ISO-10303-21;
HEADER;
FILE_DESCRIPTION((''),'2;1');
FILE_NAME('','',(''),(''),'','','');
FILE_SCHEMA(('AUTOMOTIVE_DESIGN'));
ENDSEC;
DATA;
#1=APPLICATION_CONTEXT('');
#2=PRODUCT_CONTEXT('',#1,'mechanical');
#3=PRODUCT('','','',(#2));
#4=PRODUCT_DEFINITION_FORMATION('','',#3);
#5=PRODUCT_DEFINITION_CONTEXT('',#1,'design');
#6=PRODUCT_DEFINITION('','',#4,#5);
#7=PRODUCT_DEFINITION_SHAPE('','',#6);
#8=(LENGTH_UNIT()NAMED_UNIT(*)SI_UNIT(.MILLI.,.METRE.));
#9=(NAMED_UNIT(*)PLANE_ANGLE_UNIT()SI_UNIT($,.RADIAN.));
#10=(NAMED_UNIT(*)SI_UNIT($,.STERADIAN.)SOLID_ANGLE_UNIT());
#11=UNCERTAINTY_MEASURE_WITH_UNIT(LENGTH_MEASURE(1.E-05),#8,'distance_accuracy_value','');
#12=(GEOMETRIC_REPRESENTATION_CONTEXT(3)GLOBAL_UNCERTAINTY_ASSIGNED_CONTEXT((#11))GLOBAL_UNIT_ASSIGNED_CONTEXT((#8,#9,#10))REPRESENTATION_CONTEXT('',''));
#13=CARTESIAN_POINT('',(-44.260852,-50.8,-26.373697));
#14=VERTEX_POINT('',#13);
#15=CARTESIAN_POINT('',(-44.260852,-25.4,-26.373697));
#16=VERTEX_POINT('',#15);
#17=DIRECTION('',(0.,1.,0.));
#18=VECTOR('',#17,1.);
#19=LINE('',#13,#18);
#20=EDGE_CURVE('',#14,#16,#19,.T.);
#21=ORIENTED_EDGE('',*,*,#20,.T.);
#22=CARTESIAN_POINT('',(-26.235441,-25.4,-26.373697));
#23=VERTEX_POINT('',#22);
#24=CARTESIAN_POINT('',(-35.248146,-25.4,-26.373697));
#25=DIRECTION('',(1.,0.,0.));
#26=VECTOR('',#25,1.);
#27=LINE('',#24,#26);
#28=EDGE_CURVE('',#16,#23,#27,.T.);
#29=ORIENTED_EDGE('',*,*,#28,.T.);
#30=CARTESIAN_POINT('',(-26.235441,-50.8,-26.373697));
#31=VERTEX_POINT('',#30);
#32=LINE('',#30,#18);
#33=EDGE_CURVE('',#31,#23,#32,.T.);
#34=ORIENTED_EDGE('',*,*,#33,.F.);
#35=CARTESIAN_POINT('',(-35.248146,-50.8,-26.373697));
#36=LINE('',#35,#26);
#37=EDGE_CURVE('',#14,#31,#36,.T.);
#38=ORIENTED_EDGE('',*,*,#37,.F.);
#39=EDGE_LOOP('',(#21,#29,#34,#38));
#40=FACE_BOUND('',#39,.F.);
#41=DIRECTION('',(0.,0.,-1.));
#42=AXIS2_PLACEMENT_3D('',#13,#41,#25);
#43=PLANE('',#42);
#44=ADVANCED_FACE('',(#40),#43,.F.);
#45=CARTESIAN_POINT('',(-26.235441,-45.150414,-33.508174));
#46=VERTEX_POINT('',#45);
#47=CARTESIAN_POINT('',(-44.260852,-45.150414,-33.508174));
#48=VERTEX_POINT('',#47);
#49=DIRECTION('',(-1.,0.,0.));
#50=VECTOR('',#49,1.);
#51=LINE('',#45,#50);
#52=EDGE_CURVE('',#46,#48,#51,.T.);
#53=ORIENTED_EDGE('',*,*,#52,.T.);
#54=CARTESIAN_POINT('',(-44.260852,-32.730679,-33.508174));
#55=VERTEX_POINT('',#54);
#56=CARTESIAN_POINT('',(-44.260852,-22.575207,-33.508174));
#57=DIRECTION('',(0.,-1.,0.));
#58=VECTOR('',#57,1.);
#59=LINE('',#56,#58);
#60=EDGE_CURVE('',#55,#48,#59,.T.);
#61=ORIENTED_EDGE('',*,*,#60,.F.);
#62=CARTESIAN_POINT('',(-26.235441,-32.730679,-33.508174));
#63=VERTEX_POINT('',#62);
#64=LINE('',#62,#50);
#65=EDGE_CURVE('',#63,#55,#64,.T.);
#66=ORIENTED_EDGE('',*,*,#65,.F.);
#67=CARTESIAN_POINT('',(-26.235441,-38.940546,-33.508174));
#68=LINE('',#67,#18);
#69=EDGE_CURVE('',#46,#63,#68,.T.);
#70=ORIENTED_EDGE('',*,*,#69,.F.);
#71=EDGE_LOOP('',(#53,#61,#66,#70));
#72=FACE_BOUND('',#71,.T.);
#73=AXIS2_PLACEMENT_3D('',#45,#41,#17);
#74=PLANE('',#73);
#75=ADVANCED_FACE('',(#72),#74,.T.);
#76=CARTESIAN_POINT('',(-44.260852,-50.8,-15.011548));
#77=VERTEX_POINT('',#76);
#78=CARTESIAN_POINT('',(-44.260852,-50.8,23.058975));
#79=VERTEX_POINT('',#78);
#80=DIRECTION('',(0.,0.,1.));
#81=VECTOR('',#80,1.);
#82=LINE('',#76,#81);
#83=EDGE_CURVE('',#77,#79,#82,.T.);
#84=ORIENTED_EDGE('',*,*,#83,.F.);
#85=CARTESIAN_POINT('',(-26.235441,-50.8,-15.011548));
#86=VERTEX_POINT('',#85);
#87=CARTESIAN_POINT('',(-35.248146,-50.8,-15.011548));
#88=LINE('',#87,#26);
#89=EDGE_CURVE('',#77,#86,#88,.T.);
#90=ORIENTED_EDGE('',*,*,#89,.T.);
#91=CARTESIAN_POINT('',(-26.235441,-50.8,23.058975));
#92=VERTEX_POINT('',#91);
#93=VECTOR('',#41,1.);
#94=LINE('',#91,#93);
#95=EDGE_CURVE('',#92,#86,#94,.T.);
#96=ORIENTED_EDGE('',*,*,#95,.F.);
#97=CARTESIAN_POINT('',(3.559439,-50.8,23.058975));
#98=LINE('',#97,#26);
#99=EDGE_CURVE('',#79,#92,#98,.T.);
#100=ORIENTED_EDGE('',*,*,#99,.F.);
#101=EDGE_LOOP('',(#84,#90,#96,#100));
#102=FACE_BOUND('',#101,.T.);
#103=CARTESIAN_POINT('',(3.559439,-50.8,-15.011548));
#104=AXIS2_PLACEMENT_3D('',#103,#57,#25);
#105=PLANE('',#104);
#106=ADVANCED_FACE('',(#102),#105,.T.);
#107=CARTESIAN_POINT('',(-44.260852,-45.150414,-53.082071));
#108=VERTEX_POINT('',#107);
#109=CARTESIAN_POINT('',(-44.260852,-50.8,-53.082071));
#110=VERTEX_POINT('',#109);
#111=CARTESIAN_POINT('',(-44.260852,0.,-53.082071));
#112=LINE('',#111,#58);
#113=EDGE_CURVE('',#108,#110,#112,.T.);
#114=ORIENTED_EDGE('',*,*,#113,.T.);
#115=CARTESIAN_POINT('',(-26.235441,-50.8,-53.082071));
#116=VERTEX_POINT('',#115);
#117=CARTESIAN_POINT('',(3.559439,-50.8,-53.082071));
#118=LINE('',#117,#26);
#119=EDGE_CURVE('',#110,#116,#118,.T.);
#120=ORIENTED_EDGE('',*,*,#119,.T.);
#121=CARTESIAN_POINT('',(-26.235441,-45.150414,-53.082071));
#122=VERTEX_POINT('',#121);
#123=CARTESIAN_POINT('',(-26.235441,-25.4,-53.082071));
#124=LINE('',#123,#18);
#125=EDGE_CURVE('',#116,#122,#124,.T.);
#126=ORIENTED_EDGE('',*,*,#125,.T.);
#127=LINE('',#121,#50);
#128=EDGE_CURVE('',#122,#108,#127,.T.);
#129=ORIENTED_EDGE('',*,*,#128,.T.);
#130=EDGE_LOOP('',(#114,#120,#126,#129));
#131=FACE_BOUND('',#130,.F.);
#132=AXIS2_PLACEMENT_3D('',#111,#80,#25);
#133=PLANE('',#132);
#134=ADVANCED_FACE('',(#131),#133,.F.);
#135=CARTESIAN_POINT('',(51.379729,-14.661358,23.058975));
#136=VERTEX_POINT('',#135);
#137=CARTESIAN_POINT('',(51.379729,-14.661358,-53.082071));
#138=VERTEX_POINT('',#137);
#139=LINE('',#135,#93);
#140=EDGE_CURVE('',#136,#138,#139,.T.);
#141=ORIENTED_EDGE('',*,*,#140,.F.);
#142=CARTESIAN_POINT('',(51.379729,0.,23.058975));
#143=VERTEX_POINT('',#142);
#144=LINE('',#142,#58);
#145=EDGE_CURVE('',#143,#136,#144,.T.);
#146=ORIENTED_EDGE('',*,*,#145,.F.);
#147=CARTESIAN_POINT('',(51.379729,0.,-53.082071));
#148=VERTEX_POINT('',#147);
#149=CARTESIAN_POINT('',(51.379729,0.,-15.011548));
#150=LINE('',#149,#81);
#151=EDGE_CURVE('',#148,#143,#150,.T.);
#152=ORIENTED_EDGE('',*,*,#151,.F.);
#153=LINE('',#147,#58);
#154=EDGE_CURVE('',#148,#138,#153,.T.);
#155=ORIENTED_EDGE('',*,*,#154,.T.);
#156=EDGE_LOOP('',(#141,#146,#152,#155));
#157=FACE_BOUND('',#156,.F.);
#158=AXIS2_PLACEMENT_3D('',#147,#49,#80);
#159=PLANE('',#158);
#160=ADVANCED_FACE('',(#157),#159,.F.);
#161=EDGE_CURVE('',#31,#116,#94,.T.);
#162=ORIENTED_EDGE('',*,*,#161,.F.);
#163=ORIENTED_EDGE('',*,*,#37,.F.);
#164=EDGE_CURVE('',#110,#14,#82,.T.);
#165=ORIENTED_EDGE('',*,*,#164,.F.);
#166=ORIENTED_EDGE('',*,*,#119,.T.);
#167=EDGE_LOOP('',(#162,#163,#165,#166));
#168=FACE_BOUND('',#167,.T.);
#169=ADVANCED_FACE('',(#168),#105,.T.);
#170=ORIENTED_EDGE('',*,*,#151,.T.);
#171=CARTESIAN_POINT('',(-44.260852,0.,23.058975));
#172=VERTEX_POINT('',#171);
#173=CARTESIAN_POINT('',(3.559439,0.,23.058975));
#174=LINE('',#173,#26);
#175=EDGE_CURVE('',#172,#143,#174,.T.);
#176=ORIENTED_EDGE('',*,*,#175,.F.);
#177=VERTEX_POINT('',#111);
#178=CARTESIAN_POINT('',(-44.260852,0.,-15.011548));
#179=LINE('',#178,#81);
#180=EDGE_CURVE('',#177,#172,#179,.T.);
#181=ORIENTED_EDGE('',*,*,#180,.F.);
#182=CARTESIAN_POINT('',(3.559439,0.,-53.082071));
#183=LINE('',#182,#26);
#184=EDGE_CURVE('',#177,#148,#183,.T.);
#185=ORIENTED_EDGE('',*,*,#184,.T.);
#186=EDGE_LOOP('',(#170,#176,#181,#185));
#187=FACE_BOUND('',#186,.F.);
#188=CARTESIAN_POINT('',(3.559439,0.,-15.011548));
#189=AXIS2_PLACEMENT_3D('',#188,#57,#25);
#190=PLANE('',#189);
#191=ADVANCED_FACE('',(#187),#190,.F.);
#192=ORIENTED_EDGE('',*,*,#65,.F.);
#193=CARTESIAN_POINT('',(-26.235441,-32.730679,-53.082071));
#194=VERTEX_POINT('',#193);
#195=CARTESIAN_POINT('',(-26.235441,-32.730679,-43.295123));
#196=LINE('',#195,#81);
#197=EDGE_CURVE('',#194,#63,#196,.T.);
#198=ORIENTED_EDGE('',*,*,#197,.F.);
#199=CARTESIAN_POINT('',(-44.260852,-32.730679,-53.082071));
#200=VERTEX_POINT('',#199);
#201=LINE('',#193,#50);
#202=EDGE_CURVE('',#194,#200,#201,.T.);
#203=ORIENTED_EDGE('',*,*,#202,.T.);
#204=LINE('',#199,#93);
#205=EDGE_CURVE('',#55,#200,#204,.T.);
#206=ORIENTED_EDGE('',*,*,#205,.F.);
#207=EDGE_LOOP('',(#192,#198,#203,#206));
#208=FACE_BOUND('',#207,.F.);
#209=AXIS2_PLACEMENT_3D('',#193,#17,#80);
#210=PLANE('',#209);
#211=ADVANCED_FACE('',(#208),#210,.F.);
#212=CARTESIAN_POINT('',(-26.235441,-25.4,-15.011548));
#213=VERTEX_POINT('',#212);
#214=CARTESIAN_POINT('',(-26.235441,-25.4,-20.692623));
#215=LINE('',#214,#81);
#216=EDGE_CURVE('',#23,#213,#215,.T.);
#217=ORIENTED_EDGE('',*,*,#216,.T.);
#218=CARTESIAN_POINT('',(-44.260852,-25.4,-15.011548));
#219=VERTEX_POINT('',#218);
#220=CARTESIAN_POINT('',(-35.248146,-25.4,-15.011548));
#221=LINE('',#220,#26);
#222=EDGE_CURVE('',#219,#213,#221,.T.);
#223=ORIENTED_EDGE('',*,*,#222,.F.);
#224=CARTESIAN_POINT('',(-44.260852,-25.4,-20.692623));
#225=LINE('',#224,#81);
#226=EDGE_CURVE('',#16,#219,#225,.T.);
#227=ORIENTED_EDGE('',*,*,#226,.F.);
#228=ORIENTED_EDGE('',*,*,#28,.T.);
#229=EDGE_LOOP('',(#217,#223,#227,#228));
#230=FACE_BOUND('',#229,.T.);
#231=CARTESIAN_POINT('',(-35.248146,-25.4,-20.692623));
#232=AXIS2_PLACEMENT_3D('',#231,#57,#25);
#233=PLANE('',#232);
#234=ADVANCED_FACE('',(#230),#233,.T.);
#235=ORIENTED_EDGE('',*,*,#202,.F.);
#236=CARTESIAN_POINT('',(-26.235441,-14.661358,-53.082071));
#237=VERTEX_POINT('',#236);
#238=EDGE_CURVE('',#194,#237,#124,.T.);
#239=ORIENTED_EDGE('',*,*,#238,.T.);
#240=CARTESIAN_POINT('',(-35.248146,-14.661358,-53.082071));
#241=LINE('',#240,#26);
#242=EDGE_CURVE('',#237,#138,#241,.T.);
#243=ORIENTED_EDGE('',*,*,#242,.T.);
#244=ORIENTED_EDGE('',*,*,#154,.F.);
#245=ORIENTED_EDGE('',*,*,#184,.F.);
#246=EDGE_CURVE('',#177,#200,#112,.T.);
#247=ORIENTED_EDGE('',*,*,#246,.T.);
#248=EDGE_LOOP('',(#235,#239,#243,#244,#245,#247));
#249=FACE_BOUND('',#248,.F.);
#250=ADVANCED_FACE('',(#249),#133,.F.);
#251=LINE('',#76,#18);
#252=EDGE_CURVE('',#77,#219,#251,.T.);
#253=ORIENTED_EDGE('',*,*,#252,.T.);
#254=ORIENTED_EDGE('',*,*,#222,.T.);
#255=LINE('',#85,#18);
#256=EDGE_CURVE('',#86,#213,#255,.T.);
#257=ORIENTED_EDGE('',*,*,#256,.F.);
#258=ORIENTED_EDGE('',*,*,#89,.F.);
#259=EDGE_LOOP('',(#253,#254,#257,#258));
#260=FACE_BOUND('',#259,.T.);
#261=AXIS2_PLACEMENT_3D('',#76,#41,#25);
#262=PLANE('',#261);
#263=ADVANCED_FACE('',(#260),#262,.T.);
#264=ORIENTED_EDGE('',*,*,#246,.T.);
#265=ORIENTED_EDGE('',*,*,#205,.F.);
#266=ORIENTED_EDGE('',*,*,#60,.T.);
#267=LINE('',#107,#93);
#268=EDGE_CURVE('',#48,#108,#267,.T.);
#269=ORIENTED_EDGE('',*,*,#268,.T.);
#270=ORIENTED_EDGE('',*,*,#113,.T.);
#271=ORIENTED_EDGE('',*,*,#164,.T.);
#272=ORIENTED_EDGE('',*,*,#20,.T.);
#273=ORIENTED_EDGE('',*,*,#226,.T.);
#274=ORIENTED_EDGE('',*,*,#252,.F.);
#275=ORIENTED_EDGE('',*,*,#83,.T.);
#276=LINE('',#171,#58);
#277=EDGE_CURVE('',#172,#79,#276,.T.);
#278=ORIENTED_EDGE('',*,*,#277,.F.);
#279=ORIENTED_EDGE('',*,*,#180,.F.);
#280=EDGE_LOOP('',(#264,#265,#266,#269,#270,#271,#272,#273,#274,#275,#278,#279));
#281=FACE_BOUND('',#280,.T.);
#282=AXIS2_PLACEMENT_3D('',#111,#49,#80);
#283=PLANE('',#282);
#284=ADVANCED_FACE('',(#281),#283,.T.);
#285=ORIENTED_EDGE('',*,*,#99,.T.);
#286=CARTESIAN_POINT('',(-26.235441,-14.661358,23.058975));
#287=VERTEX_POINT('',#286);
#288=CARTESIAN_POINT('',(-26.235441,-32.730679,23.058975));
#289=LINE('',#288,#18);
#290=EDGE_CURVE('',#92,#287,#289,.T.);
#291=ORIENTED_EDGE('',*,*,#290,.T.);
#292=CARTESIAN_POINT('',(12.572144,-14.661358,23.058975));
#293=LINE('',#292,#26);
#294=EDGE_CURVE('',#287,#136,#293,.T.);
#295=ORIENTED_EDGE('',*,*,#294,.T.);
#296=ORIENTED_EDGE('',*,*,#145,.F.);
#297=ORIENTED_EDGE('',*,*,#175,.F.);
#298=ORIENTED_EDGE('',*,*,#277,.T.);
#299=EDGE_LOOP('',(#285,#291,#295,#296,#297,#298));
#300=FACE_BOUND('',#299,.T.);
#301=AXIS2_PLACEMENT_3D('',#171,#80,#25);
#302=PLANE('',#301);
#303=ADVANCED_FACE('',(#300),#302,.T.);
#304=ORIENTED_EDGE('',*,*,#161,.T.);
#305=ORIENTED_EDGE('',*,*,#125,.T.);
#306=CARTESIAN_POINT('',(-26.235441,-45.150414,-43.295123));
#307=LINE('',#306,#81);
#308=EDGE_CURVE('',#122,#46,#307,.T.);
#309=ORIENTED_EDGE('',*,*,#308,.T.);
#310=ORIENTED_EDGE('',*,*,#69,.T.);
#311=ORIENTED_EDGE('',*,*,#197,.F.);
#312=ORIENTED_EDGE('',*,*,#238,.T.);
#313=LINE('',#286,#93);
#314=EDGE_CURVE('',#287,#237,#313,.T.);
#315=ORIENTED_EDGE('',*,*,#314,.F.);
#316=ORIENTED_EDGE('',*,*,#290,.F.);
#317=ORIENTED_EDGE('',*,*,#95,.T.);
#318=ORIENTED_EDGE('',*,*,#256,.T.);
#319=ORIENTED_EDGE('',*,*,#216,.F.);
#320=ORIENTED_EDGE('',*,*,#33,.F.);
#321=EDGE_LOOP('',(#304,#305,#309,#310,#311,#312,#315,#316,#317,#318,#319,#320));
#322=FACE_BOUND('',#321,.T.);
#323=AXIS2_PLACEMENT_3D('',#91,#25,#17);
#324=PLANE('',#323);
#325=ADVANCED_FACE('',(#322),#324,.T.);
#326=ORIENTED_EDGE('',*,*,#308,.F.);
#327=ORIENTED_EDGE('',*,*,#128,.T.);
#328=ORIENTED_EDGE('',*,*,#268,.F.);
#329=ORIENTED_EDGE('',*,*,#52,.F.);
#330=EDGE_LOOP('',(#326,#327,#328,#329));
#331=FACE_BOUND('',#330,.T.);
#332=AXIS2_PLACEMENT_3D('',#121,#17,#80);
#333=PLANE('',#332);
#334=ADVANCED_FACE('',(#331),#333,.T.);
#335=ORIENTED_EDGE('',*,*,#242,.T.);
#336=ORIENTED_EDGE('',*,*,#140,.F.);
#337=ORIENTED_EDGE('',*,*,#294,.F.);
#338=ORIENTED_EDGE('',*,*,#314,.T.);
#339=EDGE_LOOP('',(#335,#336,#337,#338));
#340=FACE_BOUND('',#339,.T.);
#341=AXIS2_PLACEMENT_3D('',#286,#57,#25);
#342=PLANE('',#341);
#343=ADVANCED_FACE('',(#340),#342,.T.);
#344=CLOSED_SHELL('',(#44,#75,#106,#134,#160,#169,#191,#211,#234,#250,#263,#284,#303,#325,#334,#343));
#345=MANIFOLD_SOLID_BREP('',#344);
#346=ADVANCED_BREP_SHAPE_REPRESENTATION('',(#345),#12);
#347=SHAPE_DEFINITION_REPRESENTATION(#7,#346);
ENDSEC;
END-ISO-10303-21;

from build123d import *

# Parameters (mm, degrees)
F0_W     = 95.6405811012
F0_H     = 76.1410463601
F1_DEPTH = 50.8
F2_W     = 77.6151698083
F2_H     = 36.1386422619
F3_DEPTH = 76.1420463601
F4_W     = 18.0254112929
F4_H     = 11.3621493801
F5_DEPTH = 25.4
F6_W     = 12.4197352402
F6_H     = 19.5738971233
F7_DEPTH = 25.4


with BuildPart() as f1:
    # F0 (on Front) → F1 (new body)
    with BuildSketch(Plane.XZ):
        with Locations((3.5594385117, -15.0115480646)):
            Rectangle(F0_W, F0_H)
    extrude(amount=F1_DEPTH)

    # F2 (on face) → F3 (cut, through all)
    with BuildSketch(Plane.XY.offset(23.0589751154)):
        with Locations((12.5721441582, -32.730678869)):
            Rectangle(F2_W, F2_H)
    extrude(amount=-F3_DEPTH, mode=Mode.SUBTRACT)

    # F4 (on face) → F5 (cut)
    with BuildSketch(Plane.XZ.offset(50.8)):
        with Locations((-35.2481463924, -20.6926227547)):
            Rectangle(F4_W, F4_H)
    extrude(amount=-F5_DEPTH, mode=Mode.SUBTRACT)

    # F6 (on face) → F7 (cut)
    with BuildSketch(Plane.YZ.offset(-26.2354407459)):
        with Locations((-38.9405464891, -43.295122683)):
            Rectangle(F6_W, F6_H)
    extrude(amount=-F7_DEPTH, mode=Mode.SUBTRACT)


solid = f1.part
